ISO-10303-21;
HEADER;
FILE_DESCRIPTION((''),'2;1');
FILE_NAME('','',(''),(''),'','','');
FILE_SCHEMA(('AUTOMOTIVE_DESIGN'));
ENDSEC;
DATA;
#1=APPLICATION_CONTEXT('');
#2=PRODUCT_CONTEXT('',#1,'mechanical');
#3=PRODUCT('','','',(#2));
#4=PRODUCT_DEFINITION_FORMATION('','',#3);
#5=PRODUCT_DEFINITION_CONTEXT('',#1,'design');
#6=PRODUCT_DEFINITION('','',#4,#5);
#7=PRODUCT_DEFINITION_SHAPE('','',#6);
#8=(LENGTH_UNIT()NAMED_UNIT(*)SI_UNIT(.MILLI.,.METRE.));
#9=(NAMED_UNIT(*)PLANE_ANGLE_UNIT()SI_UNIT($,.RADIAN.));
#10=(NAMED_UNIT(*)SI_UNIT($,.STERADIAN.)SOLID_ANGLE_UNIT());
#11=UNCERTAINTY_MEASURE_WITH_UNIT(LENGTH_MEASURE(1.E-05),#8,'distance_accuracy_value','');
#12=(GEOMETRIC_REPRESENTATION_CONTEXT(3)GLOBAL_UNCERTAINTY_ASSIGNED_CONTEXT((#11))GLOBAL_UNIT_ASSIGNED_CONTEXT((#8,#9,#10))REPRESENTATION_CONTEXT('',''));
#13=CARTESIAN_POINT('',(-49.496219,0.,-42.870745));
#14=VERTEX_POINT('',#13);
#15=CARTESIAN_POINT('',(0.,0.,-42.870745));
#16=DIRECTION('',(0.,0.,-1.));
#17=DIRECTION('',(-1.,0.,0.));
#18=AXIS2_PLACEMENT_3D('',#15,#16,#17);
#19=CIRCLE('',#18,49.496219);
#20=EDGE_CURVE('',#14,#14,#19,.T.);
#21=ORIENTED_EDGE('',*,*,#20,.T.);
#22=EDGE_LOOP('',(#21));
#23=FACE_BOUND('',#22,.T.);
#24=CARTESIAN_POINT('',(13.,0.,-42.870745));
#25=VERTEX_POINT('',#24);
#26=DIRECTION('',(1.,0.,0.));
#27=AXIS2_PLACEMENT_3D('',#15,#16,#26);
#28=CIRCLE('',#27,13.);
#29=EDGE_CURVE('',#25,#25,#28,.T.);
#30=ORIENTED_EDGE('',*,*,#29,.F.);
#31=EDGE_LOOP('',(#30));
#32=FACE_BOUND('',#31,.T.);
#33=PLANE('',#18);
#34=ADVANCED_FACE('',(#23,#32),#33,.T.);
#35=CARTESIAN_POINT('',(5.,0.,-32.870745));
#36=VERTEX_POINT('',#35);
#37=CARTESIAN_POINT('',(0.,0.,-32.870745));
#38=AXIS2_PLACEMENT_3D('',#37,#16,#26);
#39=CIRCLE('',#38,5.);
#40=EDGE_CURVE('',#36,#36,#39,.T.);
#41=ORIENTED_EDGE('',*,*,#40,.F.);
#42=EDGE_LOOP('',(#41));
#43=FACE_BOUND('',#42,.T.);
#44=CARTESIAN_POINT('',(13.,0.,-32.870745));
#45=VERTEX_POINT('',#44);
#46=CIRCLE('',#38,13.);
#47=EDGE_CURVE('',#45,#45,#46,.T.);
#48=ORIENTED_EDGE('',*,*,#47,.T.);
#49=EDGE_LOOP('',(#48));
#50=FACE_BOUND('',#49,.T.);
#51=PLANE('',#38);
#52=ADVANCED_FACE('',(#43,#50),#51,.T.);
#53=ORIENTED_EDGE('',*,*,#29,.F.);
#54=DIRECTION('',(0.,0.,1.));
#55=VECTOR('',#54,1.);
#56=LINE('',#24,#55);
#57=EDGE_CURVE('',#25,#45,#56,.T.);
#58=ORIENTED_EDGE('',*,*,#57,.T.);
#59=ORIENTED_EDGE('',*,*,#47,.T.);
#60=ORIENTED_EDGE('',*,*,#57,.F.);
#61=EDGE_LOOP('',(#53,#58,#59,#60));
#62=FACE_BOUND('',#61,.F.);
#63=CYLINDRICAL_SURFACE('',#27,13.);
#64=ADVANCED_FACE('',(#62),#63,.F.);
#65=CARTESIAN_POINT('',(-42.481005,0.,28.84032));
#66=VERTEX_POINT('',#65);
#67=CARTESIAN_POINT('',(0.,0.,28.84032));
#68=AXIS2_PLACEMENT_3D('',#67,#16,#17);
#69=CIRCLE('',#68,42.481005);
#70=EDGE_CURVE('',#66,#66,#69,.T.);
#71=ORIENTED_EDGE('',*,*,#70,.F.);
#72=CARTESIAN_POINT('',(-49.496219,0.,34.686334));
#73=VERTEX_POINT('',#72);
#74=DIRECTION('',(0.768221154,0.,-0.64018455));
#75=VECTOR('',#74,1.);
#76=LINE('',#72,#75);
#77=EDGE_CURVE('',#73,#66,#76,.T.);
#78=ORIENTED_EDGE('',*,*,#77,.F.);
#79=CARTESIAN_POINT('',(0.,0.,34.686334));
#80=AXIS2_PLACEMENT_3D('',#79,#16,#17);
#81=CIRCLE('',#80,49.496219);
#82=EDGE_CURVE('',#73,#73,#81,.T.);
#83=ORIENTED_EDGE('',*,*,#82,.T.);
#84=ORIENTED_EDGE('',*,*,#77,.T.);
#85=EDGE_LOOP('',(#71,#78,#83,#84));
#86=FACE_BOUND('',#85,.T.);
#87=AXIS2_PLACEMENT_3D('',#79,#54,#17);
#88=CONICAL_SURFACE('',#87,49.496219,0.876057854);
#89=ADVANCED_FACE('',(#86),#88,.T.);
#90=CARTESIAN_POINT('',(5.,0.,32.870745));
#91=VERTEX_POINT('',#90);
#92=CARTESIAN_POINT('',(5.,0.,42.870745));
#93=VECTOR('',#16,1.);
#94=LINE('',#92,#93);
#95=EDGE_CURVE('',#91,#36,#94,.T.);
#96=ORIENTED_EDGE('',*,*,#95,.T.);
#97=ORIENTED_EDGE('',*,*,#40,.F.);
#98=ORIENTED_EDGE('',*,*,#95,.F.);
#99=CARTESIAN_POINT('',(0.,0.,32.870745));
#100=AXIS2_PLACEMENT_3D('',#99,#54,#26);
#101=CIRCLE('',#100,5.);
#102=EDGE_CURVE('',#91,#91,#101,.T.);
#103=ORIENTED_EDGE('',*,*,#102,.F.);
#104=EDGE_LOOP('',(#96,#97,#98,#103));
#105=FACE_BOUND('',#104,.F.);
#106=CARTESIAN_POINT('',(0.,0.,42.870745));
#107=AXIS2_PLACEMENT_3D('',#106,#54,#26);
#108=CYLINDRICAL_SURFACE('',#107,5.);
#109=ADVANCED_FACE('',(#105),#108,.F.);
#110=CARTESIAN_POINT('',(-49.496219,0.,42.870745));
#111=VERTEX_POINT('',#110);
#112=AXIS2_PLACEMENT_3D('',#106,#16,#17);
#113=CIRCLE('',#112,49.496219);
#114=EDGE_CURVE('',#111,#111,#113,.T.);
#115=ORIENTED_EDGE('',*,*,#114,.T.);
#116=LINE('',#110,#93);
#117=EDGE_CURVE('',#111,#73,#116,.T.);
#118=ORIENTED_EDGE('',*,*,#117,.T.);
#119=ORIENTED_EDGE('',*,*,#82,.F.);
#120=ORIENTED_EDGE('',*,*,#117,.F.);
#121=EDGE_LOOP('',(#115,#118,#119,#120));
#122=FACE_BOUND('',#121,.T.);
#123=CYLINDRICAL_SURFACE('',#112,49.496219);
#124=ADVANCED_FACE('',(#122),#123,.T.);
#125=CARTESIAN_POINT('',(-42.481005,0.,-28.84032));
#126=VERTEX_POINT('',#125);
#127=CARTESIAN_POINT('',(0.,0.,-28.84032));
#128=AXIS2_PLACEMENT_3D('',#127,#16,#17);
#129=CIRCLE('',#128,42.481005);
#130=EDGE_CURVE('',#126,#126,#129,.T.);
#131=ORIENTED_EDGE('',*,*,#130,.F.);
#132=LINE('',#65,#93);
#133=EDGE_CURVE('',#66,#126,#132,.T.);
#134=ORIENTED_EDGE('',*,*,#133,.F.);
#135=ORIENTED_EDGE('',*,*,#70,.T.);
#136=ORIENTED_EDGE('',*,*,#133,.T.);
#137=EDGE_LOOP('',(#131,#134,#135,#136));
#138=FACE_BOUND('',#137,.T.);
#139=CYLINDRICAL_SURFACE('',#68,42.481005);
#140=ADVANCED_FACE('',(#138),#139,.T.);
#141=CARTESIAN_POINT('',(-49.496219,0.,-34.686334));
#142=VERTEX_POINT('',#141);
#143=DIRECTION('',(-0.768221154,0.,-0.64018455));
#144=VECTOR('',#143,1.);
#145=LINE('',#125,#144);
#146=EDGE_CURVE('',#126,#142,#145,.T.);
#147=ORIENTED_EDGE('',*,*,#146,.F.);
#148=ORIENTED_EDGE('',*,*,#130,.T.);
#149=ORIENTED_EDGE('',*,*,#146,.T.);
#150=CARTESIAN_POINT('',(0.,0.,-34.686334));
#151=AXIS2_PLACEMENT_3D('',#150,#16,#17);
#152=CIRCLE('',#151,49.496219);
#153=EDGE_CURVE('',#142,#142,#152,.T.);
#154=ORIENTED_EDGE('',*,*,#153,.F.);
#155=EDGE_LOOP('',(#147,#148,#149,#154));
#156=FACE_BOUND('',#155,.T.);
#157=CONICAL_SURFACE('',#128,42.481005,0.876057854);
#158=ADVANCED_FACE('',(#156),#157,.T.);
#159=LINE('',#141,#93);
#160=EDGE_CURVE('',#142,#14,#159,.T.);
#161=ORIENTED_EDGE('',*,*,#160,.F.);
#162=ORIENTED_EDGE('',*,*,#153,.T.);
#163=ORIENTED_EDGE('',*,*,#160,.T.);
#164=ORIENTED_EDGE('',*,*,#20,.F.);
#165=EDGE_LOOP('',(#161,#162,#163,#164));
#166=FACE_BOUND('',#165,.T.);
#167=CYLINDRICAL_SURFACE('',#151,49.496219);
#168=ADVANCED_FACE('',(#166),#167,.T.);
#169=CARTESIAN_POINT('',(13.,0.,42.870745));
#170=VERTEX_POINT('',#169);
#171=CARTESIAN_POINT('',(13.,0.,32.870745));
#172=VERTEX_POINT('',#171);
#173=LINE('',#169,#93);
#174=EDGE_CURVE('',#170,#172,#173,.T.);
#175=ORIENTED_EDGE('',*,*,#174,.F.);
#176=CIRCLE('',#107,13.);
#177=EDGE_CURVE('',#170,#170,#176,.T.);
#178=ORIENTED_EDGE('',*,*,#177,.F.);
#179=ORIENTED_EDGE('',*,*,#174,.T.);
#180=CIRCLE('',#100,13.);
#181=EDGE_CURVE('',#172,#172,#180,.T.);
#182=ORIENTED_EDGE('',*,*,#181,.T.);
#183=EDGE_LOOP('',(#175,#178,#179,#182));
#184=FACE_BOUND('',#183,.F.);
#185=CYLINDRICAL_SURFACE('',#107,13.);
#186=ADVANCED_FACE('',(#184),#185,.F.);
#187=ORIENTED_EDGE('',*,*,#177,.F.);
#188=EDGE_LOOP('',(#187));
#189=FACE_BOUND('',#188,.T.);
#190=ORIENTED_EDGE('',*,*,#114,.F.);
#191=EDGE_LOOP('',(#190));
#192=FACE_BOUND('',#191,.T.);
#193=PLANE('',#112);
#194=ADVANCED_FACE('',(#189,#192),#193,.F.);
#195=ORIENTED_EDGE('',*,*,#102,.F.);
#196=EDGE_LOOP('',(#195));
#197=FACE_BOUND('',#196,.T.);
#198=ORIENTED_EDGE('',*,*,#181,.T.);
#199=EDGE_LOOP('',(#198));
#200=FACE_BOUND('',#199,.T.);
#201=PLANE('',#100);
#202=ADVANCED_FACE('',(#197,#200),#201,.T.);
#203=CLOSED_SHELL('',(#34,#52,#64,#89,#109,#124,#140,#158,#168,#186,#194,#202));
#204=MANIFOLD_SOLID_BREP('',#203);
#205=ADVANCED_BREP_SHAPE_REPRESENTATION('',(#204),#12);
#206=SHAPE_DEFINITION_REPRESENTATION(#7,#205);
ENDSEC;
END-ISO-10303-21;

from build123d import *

# Parameters (mm, degrees)
F2_R     = 5
F3_DEPTH = 1000
F2_R_2   = 13
F4_DEPTH = 10
F5_R     = 13
F5_R_2   = 5
F6_DEPTH = 10


with BuildPart() as f1:
    # F0 (on Front) → F1 (revolve)
    with BuildSketch(Plane.XZ):
        Polygon((0, 0), (0, 42.870745), (-49.496219, 42.870745), (-49.496219, 34.686334), (-42.481005, 28.84032), (-42.481005, 0), (-42.481005, -28.84032), (-49.496219, -34.686334), (-49.496219, -42.870745), (0, -42.870745), align=None)
    revolve(axis=Axis((0, 0, 21.435373), (0, 0, -1)))

    # F2 (on face) → F3 (cut)
    with BuildSketch(Plane.XY.offset(42.870745)):
        Circle(F2_R)
    extrude(amount=-F3_DEPTH, mode=Mode.SUBTRACT)

    # F2 (on face) → F4 (cut)
    with BuildSketch(Plane.XY.offset(42.870745)):
        Circle(F2_R_2)
        Circle(F2_R, mode=Mode.SUBTRACT)
    extrude(amount=-F4_DEPTH, mode=Mode.SUBTRACT)

    # F5 (on face) → F6 (cut)
    with BuildSketch(Plane(origin=(0, 0, -42.870745), x_dir=(1, 0, 0), z_dir=(0, 0, -1))):
        Circle(F5_R)
        Circle(F5_R_2, mode=Mode.SUBTRACT)
    extrude(amount=-F6_DEPTH, mode=Mode.SUBTRACT)


solid = f1.part
